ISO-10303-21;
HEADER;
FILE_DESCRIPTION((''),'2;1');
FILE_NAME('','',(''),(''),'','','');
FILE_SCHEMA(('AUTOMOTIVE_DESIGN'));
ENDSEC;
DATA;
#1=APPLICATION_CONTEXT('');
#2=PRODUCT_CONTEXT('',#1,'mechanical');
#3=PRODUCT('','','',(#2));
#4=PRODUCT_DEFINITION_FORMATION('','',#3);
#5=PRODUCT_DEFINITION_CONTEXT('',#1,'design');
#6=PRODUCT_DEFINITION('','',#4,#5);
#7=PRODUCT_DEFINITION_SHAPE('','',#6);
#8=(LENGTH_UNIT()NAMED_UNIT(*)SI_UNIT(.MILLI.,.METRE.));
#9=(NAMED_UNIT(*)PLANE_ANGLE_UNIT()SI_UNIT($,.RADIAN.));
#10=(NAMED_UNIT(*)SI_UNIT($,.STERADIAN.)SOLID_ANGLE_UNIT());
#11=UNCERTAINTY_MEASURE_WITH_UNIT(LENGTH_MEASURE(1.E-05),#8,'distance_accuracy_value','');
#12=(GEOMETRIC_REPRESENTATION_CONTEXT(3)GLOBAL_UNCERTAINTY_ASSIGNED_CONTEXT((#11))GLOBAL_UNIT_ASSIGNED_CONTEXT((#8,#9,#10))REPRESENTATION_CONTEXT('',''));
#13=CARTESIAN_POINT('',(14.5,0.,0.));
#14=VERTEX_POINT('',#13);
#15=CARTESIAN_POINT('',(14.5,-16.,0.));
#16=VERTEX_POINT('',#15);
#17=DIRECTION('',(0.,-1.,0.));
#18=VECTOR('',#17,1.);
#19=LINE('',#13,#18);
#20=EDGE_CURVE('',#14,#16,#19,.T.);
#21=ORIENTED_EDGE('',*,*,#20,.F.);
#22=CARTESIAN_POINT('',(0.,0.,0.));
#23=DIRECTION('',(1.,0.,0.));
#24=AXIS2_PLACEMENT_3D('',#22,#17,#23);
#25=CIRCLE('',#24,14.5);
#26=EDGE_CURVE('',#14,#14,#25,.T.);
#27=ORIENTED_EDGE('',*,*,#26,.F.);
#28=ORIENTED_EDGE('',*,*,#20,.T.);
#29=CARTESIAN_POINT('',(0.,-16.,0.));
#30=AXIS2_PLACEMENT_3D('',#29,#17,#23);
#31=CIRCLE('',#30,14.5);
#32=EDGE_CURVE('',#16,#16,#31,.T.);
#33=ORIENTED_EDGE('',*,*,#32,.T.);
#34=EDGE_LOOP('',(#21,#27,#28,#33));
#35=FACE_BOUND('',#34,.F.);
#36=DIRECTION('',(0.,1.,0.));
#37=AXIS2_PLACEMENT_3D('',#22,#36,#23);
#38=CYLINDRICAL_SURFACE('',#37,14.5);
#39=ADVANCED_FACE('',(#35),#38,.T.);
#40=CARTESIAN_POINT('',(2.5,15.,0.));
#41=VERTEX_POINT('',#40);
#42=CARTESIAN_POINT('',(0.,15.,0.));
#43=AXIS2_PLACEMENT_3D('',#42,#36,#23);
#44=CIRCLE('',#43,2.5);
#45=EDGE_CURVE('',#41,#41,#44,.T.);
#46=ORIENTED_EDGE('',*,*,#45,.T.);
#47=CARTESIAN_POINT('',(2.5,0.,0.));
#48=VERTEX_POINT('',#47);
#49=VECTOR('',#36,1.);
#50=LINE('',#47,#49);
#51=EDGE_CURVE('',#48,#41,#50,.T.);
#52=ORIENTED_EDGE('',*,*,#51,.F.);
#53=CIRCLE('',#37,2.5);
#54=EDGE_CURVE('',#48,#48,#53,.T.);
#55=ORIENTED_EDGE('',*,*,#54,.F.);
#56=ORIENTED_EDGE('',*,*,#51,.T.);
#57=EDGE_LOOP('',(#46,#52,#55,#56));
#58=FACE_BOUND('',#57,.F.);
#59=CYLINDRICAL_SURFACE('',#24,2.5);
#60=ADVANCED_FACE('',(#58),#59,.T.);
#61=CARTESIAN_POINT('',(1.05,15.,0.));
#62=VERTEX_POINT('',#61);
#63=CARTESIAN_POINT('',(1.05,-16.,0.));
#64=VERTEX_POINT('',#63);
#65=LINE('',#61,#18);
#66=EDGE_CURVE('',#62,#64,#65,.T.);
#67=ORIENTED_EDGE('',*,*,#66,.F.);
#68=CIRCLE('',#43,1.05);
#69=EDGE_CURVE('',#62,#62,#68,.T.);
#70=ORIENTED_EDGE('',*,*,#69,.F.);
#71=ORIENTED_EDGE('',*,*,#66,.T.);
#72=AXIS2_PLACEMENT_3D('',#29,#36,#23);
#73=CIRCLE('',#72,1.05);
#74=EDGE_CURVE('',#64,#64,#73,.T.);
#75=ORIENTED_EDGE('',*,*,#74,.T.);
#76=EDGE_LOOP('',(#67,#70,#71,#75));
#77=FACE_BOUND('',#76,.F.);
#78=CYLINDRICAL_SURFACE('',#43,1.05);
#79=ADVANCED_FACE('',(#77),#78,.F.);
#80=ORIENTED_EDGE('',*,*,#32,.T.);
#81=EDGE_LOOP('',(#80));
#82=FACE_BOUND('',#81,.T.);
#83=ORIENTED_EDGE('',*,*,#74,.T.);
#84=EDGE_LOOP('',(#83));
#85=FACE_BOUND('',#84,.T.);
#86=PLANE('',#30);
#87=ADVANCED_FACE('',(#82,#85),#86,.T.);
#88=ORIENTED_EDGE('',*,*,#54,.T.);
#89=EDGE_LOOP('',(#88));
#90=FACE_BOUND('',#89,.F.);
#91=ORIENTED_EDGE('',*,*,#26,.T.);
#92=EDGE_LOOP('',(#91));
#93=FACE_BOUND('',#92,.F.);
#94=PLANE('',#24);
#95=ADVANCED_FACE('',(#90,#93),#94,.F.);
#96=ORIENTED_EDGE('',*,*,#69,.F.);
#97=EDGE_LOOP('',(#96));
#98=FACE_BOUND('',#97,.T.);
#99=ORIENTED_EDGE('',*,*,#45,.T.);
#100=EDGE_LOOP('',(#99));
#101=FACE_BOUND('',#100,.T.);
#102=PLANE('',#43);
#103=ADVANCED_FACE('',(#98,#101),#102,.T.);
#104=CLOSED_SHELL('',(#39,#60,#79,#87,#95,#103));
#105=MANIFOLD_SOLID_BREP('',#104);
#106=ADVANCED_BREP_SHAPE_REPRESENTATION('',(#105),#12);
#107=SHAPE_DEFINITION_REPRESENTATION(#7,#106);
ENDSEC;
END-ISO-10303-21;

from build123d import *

# Parameters (mm, degrees)
SKETCH_R     = 14.5
PAD_DEPTH    = 16
SKETCH001_R  = 2.5
PAD001_DEPTH = 15
SKETCH002_R  = 1.05
POCKET_DEPTH = 31.001


with BuildPart() as part:
    # Sketch → Pad (new body)
    with BuildSketch(Plane.XZ):
        Circle(SKETCH_R)
    extrude(amount=PAD_DEPTH)

    # Sketch001 (on Face2 of Pad) → Pad001 (join)
    with BuildSketch(Plane(origin=(0, 0, 0), x_dir=(1, 0, 0), z_dir=(0, 1, 0))):
        Circle(SKETCH001_R)
    extrude(amount=PAD001_DEPTH)

    # Sketch002 (on Face5 of Pad001) → Pocket (cut, through all)
    with BuildSketch(Plane(origin=(0, 15, 0), x_dir=(1, 0, 0), z_dir=(0, 1, 0))):
        Circle(SKETCH002_R)
    extrude(amount=-POCKET_DEPTH, mode=Mode.SUBTRACT)


solid = part.part
